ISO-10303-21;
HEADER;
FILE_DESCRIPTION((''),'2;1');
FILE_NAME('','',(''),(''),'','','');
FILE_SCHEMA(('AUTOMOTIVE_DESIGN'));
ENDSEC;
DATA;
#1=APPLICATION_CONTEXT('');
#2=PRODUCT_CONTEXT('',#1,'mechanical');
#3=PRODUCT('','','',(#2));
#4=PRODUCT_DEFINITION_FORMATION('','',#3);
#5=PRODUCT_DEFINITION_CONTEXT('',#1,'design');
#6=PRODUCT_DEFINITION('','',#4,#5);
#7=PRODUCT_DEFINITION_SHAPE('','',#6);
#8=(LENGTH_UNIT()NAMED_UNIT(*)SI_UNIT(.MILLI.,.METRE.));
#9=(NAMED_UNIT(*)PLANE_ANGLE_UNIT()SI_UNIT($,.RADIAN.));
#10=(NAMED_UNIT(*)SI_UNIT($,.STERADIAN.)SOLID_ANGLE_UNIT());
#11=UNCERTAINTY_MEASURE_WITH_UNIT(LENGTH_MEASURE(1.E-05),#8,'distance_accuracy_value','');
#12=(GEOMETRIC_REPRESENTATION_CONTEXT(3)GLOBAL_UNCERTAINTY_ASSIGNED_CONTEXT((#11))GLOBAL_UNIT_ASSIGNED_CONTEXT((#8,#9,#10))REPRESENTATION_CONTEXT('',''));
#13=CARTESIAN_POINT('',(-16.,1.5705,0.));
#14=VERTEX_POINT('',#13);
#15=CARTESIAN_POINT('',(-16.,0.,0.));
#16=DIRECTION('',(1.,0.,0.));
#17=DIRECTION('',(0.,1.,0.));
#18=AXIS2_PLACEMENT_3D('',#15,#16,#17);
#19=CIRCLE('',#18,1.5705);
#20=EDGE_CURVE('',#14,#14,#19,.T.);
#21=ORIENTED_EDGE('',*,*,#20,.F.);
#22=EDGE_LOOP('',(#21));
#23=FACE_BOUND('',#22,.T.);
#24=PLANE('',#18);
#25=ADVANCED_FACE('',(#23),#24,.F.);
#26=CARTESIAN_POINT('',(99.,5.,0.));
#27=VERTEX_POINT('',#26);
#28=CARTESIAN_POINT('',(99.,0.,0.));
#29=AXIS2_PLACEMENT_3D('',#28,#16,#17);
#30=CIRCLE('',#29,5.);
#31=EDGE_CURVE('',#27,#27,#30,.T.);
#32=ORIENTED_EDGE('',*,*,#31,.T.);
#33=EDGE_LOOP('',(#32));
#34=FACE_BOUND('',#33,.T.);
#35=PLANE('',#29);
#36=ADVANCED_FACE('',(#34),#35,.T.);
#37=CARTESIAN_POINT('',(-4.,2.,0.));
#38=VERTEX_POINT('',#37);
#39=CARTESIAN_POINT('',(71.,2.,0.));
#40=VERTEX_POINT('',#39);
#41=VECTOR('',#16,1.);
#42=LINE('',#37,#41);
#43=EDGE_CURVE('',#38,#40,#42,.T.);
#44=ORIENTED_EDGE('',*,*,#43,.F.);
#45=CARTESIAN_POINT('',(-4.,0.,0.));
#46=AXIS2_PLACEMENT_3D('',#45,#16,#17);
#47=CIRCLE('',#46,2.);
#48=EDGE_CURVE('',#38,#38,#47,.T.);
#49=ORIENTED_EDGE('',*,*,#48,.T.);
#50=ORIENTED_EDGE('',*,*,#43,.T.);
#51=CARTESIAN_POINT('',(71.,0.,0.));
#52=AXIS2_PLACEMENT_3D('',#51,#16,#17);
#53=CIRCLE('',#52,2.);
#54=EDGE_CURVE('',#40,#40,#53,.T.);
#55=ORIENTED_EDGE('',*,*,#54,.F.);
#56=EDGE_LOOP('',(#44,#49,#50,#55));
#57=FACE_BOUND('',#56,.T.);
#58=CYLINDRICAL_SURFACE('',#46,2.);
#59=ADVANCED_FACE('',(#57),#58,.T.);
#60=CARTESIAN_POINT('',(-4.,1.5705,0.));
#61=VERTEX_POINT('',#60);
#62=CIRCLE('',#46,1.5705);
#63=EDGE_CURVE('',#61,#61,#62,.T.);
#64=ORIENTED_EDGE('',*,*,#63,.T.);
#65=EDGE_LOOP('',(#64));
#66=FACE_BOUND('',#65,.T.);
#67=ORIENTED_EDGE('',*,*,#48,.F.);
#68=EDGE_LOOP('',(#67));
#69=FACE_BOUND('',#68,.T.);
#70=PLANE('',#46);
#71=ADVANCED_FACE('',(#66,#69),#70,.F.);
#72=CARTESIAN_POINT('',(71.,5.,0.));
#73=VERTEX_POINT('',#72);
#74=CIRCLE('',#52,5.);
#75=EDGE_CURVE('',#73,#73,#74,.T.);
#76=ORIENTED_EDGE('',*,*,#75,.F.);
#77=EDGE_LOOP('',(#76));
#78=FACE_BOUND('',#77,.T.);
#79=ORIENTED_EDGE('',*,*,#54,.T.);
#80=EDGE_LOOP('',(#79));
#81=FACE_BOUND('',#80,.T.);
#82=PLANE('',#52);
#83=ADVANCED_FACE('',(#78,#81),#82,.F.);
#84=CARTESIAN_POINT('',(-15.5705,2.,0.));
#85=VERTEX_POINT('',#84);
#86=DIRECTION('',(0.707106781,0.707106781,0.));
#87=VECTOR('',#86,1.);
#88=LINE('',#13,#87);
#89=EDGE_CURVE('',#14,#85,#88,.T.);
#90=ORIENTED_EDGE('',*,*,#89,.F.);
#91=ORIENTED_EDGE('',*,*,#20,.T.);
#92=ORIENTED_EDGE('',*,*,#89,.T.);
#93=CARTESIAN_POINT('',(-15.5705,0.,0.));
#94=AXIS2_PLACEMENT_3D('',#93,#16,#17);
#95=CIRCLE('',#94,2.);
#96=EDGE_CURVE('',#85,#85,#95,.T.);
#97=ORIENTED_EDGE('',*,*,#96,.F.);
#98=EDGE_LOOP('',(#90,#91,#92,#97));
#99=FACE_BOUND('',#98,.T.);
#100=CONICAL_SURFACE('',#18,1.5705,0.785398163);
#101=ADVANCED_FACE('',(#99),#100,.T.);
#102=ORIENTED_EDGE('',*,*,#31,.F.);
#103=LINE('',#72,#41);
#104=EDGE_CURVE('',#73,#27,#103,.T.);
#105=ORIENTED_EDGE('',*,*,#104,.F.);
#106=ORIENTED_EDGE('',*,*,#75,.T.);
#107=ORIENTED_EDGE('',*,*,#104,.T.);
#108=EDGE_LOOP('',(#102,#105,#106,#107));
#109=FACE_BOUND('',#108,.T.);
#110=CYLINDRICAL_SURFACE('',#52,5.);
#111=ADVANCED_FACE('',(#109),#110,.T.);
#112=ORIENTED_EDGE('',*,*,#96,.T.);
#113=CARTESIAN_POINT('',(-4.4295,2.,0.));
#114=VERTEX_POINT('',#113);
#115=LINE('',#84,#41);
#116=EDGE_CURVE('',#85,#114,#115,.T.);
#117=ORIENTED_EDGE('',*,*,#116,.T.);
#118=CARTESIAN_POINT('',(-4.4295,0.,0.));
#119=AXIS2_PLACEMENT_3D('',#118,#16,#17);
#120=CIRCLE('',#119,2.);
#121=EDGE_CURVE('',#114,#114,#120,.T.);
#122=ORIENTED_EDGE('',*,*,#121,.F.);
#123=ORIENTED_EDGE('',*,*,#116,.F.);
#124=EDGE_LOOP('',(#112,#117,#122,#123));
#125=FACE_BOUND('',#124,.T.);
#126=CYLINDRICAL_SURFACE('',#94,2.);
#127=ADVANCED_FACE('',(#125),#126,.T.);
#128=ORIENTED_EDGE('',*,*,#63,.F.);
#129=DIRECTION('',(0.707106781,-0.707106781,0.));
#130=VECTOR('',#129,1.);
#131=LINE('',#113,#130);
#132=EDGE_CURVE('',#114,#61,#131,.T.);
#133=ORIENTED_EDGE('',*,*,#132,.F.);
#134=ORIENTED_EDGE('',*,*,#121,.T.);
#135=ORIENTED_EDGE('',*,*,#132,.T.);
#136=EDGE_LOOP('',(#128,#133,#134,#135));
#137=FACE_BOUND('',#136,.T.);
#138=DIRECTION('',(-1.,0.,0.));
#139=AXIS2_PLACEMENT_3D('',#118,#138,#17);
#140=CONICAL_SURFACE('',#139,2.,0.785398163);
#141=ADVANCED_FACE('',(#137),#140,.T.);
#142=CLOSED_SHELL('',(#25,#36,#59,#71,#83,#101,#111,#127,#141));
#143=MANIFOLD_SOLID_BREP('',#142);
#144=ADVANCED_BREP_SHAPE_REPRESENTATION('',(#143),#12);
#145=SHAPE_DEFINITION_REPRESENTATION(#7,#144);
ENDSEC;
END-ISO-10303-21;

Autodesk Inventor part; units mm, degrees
sketch "Sketch_1" plane through (0, 0, 0) normal (0, 0, 1) x (1, 0, 0)
  line L0 (99, 0) -> (-4, 0)
  line L1 (-4, 0) -> (-4, 2)
  line L2 (-4, 2) -> (71, 2)
  line L3 (71, 2) -> (71, 5)
  line L4 (71, 5) -> (99, 5)
  line L5 (99, 5) -> (99, 0)
  line L6 (99, 0) -> (-4, 0)
revolve "Revolution1" add sketch "Sketch_1" angle 360 about axis through (99, 0, 0) along (1, 0, 0)
sketch "Sketch_2" plane through (0, 0, 0) normal (0, 0, 1) x (1, 0, 0)
  line L0 (-4, 0) -> (-16, 0)
  line L1 (-16, 0) -> (-16, 1.5705)
  line L2 (-16, 1.5705) -> (-15.5705, 2)
  line L3 (-15.5705, 2) -> (-4.4295, 2)
  line L4 (-4.4295, 2) -> (-4, 1.5705)
  line L5 (-4, 1.5705) -> (-4, 0)
  line L6 (-4, 0) -> (-16, 0)
revolve "Revolution2" add sketch "Sketch_2" angle 360 about axis through (-4, 0, 0) along (1, 0, 0)
thread "Thread1" size "M4x0.7" class "6g" standard "ISO Metric profile" full length
ref_plane "N_XY" through (-10, 0, 0) normal (-1, 0, 0) x (0, 0, -1)
ref_plane "N_YZ" through (-10, 0, 0) normal (0, 0, -1) x (0, -1, 0)
ref_plane "N_ZX" through (-10, 0, 0) normal (0, -1, 0) x (-1, 0, 0)
ref_plane "N2_XY" through (174, 0, 0) normal (1, 0, 0) x (0, 0, -1)
ref_plane "N2_YZ" through (174, 0, 0) normal (0, 0, -1) x (0, 1, 0)
ref_plane "N2_ZX" through (174, 0, 0) normal (0, 1, 0) x (1, 0, 0)
ref_plane "P_XY" through (0, 0, 0) normal (1, 0, 0) x (0, 0, -1)
ref_plane "P_YZ" through (0, 0, 0) normal (0, 0, -1) x (0, 1, 0)
ref_plane "P_ZX" through (0, 0, 0) normal (0, 1, 0) x (1, 0, 0)
ref_plane "dim_am1_XY" through (-16, 1.5705, 0) normal (0, 0, 1) x (1, 0, 0)
ref_plane "dim_am1_YZ" through (-16, 1.5705, 0) normal (1, 0, 0) x (0, 1, 0)
ref_plane "dim_am1_ZX" through (-16, 1.5705, 0) normal (0, 1, 0) x (0, 0, 1)
ref_plane "dim_am2_XY" through (-4, 1.5705, 0) normal (0, 0, 1) x (1, 0, 0)
ref_plane "dim_am2_YZ" through (-4, 1.5705, 0) normal (1, 0, 0) x (0, 1, 0)
ref_plane "dim_am2_ZX" through (-4, 1.5705, 0) normal (0, 1, 0) x (0, 0, 1)
ref_plane "dim_bs1_XY" through (71, 5, 0) normal (0, 0, 1) x (1, 0, 0)
ref_plane "dim_bs1_YZ" through (71, 5, 0) normal (1, 0, 0) x (0, 1, 0)
ref_plane "dim_bs1_ZX" through (71, 5, 0) normal (0, 1, 0) x (0, 0, 1)
ref_plane "dim_bs2_XY" through (71, -5, 0) normal (0, 0, 1) x (1, 0, 0)
ref_plane "dim_bs2_YZ" through (71, -5, 0) normal (1, 0, 0) x (0, 1, 0)
ref_plane "dim_bs2_ZX" through (71, -5, 0) normal (0, 1, 0) x (0, 0, 1)
ref_plane "dim_mm1_XY" through (-4, 2, 0) normal (0, 0, 1) x (1, 0, 0)
ref_plane "dim_mm1_YZ" through (-4, 2, 0) normal (1, 0, 0) x (0, 1, 0)
ref_plane "dim_mm1_ZX" through (-4, 2, 0) normal (0, 1, 0) x (0, 0, 1)
ref_plane "dim_mm2_XY" through (-4, -2, 0) normal (0, 0, 1) x (1, 0, 0)
ref_plane "dim_mm2_YZ" through (-4, -2, 0) normal (1, 0, 0) x (0, 1, 0)
ref_plane "dim_mm2_ZX" through (-4, -2, 0) normal (0, 1, 0) x (0, 0, 1)
properties part number "RM/8010/M/50_0_0_P"
